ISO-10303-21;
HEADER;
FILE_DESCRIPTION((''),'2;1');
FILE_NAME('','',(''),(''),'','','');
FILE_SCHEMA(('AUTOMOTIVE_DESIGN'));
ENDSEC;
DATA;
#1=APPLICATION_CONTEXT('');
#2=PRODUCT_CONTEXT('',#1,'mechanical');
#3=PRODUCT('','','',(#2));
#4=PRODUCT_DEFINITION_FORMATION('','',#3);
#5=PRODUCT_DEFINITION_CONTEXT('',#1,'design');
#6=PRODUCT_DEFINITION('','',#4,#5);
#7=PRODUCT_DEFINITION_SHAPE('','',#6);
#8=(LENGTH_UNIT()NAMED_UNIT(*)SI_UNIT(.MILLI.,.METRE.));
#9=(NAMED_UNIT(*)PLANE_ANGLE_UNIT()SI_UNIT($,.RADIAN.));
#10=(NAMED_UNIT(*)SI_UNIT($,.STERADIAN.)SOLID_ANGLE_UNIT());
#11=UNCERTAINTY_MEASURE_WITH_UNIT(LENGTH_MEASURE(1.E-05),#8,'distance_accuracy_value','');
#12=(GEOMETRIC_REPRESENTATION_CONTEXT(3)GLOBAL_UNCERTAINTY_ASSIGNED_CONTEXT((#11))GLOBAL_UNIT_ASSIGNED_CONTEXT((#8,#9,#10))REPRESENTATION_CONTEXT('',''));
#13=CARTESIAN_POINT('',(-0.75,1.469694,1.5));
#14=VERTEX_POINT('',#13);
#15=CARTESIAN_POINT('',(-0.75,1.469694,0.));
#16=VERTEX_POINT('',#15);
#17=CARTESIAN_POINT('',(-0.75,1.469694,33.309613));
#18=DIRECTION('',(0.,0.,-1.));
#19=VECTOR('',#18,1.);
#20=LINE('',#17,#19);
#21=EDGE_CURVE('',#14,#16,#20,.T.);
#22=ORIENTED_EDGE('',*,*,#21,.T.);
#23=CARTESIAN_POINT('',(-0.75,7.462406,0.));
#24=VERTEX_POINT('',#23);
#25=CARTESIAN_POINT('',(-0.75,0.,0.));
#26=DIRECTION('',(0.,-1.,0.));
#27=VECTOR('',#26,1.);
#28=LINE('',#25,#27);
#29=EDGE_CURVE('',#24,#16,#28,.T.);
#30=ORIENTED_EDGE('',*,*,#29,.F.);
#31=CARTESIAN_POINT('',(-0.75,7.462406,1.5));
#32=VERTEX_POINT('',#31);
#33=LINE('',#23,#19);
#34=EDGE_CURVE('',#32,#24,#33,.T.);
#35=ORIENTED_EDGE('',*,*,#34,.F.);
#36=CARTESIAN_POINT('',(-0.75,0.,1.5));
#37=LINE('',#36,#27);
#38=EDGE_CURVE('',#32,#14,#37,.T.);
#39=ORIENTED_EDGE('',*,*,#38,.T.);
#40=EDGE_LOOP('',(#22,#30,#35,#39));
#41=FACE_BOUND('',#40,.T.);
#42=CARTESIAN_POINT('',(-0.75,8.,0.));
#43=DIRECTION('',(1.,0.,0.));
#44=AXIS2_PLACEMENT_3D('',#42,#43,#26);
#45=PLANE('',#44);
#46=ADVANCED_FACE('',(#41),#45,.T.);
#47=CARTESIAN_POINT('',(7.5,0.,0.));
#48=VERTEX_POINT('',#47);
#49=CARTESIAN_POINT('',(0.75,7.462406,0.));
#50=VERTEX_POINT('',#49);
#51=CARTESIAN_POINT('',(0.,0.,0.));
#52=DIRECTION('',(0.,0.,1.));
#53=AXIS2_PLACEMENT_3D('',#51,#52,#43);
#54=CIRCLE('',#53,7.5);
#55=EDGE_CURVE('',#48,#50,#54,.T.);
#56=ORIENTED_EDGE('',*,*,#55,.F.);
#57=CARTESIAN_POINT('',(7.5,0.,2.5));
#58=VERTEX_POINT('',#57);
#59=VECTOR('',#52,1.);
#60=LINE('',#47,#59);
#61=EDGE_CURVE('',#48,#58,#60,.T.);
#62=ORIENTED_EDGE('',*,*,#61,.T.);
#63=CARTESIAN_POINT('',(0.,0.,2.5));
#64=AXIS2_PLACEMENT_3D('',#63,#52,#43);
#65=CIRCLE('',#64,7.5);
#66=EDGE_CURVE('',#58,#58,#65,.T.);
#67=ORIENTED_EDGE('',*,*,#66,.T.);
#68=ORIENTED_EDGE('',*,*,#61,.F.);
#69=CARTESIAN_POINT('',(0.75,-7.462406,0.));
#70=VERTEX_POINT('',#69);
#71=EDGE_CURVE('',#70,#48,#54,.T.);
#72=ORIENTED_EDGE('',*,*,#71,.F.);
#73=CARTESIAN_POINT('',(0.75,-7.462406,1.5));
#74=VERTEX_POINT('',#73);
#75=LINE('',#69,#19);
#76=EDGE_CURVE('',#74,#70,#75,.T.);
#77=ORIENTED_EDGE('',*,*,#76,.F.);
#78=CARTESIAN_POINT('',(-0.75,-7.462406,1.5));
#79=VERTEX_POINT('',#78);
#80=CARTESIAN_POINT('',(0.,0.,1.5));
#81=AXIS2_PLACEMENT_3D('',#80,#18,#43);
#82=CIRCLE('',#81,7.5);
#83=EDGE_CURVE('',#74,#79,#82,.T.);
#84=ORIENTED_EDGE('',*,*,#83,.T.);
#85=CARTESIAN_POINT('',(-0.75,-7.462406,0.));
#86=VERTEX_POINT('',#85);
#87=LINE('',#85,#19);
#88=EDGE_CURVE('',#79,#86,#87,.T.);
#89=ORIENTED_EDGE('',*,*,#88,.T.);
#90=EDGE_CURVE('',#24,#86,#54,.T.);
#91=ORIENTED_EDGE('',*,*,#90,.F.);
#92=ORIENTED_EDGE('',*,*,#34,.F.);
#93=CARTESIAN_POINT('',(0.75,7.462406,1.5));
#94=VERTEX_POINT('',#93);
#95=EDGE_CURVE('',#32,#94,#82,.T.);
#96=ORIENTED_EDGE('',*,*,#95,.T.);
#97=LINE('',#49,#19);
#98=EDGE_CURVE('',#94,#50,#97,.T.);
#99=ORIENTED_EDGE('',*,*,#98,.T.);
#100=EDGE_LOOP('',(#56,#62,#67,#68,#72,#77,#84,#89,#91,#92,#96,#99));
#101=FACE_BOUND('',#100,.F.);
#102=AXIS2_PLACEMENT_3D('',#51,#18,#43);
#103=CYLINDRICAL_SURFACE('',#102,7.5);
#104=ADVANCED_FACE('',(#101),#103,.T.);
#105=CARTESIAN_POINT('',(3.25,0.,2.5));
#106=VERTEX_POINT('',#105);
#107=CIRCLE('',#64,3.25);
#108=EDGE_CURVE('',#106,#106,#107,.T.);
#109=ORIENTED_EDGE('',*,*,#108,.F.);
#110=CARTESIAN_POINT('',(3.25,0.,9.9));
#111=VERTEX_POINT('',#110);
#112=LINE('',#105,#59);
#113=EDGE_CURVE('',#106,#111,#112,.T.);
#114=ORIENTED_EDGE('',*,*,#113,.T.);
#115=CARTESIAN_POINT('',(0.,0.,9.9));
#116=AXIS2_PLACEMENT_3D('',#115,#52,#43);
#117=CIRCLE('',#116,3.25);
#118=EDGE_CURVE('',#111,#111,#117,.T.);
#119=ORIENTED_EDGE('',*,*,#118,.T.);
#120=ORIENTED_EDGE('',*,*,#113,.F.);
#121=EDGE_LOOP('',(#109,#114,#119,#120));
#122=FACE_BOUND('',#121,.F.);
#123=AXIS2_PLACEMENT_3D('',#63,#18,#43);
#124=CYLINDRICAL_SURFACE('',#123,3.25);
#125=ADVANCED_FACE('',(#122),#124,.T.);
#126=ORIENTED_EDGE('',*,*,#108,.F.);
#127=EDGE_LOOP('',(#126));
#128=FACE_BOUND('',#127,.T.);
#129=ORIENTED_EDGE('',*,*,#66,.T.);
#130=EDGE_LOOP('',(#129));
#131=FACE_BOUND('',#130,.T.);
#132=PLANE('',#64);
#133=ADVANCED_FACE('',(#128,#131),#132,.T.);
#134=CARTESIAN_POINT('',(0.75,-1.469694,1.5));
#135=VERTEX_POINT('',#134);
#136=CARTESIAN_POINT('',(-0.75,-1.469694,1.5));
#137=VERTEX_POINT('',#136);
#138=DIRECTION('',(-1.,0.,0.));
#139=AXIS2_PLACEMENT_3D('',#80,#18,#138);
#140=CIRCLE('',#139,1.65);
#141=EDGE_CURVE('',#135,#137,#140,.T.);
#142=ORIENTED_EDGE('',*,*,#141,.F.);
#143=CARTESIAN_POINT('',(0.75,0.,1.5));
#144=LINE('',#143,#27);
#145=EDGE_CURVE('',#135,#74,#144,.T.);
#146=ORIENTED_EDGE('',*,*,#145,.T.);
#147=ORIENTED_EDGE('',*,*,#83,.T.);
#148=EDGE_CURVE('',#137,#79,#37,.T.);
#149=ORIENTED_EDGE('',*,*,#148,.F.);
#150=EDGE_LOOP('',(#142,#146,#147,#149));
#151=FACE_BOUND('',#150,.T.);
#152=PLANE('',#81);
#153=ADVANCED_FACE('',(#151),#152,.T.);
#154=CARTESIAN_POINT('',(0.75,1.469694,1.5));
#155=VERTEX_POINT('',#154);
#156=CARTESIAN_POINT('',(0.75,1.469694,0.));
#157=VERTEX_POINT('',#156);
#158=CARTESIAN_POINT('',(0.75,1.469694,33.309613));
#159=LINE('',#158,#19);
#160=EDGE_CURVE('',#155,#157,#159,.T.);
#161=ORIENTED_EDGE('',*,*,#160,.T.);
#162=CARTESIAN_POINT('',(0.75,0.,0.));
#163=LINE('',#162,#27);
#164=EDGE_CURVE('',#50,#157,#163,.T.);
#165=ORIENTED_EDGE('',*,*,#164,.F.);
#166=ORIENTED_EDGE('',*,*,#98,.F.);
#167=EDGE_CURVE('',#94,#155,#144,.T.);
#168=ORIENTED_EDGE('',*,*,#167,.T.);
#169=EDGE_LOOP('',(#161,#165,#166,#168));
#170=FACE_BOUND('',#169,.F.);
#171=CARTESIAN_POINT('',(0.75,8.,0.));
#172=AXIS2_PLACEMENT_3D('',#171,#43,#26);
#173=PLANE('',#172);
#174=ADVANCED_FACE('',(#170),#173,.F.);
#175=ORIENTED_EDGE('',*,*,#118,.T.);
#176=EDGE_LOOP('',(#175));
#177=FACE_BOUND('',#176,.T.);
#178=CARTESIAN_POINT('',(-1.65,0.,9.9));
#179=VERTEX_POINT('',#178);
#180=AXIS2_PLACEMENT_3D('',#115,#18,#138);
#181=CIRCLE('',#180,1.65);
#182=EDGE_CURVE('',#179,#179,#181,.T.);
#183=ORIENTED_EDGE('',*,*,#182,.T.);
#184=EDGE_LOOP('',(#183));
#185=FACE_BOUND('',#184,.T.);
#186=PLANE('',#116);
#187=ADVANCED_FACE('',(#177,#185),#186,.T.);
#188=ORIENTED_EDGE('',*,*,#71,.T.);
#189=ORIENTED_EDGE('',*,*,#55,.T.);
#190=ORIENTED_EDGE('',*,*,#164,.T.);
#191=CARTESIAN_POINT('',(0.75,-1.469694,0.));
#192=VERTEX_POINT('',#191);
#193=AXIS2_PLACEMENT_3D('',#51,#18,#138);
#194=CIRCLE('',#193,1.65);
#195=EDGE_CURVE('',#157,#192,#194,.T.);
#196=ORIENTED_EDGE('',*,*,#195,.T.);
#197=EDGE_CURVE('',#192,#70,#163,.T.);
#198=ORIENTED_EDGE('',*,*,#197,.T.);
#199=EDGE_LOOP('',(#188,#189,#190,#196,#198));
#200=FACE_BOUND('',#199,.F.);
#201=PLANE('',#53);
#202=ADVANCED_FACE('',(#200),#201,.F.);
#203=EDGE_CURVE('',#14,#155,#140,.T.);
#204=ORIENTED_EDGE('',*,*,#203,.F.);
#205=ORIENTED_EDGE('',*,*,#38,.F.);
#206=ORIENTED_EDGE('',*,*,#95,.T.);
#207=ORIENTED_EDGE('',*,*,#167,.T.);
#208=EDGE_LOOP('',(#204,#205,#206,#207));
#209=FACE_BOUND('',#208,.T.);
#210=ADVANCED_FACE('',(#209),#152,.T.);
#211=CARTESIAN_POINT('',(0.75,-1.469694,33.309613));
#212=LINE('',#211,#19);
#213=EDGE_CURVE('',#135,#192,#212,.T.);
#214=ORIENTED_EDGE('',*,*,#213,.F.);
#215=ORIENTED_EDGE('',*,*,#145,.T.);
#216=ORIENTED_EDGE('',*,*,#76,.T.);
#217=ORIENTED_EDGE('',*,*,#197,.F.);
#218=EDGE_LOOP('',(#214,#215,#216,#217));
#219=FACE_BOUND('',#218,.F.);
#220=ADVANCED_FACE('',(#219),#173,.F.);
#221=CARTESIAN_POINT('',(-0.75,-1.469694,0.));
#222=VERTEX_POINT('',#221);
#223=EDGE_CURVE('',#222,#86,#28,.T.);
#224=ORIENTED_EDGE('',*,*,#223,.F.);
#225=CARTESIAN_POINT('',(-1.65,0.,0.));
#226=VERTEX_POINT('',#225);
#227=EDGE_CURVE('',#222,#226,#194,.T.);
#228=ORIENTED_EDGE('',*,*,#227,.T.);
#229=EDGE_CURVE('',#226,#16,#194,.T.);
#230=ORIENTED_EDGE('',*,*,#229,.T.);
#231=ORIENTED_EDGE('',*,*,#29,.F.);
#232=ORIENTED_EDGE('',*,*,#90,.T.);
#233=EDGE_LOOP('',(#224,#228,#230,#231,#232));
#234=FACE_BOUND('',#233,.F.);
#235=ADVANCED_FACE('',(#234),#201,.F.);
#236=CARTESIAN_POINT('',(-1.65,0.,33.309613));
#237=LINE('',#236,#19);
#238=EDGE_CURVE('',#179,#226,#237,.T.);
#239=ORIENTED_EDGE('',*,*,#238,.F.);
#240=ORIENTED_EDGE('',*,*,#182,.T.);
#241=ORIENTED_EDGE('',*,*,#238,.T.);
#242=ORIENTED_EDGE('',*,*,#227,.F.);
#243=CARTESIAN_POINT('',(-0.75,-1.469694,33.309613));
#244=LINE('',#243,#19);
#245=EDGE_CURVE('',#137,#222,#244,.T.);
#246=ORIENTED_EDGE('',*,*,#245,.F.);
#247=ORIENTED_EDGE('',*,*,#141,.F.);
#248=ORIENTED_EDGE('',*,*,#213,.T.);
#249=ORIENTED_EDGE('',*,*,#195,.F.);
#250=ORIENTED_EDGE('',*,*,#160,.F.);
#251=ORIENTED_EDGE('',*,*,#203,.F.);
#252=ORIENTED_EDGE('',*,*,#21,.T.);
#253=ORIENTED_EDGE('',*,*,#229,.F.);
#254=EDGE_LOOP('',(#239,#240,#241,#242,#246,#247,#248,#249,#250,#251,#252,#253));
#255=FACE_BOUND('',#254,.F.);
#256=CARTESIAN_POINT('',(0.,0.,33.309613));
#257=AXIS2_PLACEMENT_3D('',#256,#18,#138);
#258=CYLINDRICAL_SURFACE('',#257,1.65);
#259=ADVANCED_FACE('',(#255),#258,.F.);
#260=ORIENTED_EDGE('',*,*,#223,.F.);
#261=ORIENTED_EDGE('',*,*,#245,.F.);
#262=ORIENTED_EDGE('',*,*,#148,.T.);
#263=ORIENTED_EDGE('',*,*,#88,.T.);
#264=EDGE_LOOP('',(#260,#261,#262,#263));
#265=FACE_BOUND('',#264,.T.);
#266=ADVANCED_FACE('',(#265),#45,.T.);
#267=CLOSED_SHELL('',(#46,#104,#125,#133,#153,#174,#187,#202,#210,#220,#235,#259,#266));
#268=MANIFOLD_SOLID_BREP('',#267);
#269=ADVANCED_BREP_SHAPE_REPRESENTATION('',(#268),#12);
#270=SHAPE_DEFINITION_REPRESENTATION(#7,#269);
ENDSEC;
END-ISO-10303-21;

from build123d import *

# Parameters (mm, degrees)
F0_R     = 7.5
F1_DEPTH = 2.5
F2_R     = 3.25
F3_DEPTH = 7.4
F4_W     = 1.5
F4_H     = 16
F5_DEPTH = 1.5
F7_D     = 3.3


with BuildPart() as f1:
    # F0 (on Top) → F1 (new body)
    with BuildSketch(Plane.XY):
        Circle(F0_R)
    extrude(amount=F1_DEPTH)

    # F2 (on face) → F3 (join)
    with BuildSketch(Plane.XY.offset(2.5)):
        Circle(F2_R)
    extrude(amount=F3_DEPTH)

    # F4 (on face) → F5 (cut)
    with BuildSketch(Plane(origin=(0, 0, 0), x_dir=(1, 0, 0), z_dir=(0, 0, -1))):
        Rectangle(F4_W, F4_H)
    extrude(amount=-F5_DEPTH, mode=Mode.SUBTRACT)

    # F7 (through all)
    with Locations(Plane.XY.offset(9.9)):
        with Locations((0, 0)):
            Hole(F7_D / 2)


solid = f1.part
